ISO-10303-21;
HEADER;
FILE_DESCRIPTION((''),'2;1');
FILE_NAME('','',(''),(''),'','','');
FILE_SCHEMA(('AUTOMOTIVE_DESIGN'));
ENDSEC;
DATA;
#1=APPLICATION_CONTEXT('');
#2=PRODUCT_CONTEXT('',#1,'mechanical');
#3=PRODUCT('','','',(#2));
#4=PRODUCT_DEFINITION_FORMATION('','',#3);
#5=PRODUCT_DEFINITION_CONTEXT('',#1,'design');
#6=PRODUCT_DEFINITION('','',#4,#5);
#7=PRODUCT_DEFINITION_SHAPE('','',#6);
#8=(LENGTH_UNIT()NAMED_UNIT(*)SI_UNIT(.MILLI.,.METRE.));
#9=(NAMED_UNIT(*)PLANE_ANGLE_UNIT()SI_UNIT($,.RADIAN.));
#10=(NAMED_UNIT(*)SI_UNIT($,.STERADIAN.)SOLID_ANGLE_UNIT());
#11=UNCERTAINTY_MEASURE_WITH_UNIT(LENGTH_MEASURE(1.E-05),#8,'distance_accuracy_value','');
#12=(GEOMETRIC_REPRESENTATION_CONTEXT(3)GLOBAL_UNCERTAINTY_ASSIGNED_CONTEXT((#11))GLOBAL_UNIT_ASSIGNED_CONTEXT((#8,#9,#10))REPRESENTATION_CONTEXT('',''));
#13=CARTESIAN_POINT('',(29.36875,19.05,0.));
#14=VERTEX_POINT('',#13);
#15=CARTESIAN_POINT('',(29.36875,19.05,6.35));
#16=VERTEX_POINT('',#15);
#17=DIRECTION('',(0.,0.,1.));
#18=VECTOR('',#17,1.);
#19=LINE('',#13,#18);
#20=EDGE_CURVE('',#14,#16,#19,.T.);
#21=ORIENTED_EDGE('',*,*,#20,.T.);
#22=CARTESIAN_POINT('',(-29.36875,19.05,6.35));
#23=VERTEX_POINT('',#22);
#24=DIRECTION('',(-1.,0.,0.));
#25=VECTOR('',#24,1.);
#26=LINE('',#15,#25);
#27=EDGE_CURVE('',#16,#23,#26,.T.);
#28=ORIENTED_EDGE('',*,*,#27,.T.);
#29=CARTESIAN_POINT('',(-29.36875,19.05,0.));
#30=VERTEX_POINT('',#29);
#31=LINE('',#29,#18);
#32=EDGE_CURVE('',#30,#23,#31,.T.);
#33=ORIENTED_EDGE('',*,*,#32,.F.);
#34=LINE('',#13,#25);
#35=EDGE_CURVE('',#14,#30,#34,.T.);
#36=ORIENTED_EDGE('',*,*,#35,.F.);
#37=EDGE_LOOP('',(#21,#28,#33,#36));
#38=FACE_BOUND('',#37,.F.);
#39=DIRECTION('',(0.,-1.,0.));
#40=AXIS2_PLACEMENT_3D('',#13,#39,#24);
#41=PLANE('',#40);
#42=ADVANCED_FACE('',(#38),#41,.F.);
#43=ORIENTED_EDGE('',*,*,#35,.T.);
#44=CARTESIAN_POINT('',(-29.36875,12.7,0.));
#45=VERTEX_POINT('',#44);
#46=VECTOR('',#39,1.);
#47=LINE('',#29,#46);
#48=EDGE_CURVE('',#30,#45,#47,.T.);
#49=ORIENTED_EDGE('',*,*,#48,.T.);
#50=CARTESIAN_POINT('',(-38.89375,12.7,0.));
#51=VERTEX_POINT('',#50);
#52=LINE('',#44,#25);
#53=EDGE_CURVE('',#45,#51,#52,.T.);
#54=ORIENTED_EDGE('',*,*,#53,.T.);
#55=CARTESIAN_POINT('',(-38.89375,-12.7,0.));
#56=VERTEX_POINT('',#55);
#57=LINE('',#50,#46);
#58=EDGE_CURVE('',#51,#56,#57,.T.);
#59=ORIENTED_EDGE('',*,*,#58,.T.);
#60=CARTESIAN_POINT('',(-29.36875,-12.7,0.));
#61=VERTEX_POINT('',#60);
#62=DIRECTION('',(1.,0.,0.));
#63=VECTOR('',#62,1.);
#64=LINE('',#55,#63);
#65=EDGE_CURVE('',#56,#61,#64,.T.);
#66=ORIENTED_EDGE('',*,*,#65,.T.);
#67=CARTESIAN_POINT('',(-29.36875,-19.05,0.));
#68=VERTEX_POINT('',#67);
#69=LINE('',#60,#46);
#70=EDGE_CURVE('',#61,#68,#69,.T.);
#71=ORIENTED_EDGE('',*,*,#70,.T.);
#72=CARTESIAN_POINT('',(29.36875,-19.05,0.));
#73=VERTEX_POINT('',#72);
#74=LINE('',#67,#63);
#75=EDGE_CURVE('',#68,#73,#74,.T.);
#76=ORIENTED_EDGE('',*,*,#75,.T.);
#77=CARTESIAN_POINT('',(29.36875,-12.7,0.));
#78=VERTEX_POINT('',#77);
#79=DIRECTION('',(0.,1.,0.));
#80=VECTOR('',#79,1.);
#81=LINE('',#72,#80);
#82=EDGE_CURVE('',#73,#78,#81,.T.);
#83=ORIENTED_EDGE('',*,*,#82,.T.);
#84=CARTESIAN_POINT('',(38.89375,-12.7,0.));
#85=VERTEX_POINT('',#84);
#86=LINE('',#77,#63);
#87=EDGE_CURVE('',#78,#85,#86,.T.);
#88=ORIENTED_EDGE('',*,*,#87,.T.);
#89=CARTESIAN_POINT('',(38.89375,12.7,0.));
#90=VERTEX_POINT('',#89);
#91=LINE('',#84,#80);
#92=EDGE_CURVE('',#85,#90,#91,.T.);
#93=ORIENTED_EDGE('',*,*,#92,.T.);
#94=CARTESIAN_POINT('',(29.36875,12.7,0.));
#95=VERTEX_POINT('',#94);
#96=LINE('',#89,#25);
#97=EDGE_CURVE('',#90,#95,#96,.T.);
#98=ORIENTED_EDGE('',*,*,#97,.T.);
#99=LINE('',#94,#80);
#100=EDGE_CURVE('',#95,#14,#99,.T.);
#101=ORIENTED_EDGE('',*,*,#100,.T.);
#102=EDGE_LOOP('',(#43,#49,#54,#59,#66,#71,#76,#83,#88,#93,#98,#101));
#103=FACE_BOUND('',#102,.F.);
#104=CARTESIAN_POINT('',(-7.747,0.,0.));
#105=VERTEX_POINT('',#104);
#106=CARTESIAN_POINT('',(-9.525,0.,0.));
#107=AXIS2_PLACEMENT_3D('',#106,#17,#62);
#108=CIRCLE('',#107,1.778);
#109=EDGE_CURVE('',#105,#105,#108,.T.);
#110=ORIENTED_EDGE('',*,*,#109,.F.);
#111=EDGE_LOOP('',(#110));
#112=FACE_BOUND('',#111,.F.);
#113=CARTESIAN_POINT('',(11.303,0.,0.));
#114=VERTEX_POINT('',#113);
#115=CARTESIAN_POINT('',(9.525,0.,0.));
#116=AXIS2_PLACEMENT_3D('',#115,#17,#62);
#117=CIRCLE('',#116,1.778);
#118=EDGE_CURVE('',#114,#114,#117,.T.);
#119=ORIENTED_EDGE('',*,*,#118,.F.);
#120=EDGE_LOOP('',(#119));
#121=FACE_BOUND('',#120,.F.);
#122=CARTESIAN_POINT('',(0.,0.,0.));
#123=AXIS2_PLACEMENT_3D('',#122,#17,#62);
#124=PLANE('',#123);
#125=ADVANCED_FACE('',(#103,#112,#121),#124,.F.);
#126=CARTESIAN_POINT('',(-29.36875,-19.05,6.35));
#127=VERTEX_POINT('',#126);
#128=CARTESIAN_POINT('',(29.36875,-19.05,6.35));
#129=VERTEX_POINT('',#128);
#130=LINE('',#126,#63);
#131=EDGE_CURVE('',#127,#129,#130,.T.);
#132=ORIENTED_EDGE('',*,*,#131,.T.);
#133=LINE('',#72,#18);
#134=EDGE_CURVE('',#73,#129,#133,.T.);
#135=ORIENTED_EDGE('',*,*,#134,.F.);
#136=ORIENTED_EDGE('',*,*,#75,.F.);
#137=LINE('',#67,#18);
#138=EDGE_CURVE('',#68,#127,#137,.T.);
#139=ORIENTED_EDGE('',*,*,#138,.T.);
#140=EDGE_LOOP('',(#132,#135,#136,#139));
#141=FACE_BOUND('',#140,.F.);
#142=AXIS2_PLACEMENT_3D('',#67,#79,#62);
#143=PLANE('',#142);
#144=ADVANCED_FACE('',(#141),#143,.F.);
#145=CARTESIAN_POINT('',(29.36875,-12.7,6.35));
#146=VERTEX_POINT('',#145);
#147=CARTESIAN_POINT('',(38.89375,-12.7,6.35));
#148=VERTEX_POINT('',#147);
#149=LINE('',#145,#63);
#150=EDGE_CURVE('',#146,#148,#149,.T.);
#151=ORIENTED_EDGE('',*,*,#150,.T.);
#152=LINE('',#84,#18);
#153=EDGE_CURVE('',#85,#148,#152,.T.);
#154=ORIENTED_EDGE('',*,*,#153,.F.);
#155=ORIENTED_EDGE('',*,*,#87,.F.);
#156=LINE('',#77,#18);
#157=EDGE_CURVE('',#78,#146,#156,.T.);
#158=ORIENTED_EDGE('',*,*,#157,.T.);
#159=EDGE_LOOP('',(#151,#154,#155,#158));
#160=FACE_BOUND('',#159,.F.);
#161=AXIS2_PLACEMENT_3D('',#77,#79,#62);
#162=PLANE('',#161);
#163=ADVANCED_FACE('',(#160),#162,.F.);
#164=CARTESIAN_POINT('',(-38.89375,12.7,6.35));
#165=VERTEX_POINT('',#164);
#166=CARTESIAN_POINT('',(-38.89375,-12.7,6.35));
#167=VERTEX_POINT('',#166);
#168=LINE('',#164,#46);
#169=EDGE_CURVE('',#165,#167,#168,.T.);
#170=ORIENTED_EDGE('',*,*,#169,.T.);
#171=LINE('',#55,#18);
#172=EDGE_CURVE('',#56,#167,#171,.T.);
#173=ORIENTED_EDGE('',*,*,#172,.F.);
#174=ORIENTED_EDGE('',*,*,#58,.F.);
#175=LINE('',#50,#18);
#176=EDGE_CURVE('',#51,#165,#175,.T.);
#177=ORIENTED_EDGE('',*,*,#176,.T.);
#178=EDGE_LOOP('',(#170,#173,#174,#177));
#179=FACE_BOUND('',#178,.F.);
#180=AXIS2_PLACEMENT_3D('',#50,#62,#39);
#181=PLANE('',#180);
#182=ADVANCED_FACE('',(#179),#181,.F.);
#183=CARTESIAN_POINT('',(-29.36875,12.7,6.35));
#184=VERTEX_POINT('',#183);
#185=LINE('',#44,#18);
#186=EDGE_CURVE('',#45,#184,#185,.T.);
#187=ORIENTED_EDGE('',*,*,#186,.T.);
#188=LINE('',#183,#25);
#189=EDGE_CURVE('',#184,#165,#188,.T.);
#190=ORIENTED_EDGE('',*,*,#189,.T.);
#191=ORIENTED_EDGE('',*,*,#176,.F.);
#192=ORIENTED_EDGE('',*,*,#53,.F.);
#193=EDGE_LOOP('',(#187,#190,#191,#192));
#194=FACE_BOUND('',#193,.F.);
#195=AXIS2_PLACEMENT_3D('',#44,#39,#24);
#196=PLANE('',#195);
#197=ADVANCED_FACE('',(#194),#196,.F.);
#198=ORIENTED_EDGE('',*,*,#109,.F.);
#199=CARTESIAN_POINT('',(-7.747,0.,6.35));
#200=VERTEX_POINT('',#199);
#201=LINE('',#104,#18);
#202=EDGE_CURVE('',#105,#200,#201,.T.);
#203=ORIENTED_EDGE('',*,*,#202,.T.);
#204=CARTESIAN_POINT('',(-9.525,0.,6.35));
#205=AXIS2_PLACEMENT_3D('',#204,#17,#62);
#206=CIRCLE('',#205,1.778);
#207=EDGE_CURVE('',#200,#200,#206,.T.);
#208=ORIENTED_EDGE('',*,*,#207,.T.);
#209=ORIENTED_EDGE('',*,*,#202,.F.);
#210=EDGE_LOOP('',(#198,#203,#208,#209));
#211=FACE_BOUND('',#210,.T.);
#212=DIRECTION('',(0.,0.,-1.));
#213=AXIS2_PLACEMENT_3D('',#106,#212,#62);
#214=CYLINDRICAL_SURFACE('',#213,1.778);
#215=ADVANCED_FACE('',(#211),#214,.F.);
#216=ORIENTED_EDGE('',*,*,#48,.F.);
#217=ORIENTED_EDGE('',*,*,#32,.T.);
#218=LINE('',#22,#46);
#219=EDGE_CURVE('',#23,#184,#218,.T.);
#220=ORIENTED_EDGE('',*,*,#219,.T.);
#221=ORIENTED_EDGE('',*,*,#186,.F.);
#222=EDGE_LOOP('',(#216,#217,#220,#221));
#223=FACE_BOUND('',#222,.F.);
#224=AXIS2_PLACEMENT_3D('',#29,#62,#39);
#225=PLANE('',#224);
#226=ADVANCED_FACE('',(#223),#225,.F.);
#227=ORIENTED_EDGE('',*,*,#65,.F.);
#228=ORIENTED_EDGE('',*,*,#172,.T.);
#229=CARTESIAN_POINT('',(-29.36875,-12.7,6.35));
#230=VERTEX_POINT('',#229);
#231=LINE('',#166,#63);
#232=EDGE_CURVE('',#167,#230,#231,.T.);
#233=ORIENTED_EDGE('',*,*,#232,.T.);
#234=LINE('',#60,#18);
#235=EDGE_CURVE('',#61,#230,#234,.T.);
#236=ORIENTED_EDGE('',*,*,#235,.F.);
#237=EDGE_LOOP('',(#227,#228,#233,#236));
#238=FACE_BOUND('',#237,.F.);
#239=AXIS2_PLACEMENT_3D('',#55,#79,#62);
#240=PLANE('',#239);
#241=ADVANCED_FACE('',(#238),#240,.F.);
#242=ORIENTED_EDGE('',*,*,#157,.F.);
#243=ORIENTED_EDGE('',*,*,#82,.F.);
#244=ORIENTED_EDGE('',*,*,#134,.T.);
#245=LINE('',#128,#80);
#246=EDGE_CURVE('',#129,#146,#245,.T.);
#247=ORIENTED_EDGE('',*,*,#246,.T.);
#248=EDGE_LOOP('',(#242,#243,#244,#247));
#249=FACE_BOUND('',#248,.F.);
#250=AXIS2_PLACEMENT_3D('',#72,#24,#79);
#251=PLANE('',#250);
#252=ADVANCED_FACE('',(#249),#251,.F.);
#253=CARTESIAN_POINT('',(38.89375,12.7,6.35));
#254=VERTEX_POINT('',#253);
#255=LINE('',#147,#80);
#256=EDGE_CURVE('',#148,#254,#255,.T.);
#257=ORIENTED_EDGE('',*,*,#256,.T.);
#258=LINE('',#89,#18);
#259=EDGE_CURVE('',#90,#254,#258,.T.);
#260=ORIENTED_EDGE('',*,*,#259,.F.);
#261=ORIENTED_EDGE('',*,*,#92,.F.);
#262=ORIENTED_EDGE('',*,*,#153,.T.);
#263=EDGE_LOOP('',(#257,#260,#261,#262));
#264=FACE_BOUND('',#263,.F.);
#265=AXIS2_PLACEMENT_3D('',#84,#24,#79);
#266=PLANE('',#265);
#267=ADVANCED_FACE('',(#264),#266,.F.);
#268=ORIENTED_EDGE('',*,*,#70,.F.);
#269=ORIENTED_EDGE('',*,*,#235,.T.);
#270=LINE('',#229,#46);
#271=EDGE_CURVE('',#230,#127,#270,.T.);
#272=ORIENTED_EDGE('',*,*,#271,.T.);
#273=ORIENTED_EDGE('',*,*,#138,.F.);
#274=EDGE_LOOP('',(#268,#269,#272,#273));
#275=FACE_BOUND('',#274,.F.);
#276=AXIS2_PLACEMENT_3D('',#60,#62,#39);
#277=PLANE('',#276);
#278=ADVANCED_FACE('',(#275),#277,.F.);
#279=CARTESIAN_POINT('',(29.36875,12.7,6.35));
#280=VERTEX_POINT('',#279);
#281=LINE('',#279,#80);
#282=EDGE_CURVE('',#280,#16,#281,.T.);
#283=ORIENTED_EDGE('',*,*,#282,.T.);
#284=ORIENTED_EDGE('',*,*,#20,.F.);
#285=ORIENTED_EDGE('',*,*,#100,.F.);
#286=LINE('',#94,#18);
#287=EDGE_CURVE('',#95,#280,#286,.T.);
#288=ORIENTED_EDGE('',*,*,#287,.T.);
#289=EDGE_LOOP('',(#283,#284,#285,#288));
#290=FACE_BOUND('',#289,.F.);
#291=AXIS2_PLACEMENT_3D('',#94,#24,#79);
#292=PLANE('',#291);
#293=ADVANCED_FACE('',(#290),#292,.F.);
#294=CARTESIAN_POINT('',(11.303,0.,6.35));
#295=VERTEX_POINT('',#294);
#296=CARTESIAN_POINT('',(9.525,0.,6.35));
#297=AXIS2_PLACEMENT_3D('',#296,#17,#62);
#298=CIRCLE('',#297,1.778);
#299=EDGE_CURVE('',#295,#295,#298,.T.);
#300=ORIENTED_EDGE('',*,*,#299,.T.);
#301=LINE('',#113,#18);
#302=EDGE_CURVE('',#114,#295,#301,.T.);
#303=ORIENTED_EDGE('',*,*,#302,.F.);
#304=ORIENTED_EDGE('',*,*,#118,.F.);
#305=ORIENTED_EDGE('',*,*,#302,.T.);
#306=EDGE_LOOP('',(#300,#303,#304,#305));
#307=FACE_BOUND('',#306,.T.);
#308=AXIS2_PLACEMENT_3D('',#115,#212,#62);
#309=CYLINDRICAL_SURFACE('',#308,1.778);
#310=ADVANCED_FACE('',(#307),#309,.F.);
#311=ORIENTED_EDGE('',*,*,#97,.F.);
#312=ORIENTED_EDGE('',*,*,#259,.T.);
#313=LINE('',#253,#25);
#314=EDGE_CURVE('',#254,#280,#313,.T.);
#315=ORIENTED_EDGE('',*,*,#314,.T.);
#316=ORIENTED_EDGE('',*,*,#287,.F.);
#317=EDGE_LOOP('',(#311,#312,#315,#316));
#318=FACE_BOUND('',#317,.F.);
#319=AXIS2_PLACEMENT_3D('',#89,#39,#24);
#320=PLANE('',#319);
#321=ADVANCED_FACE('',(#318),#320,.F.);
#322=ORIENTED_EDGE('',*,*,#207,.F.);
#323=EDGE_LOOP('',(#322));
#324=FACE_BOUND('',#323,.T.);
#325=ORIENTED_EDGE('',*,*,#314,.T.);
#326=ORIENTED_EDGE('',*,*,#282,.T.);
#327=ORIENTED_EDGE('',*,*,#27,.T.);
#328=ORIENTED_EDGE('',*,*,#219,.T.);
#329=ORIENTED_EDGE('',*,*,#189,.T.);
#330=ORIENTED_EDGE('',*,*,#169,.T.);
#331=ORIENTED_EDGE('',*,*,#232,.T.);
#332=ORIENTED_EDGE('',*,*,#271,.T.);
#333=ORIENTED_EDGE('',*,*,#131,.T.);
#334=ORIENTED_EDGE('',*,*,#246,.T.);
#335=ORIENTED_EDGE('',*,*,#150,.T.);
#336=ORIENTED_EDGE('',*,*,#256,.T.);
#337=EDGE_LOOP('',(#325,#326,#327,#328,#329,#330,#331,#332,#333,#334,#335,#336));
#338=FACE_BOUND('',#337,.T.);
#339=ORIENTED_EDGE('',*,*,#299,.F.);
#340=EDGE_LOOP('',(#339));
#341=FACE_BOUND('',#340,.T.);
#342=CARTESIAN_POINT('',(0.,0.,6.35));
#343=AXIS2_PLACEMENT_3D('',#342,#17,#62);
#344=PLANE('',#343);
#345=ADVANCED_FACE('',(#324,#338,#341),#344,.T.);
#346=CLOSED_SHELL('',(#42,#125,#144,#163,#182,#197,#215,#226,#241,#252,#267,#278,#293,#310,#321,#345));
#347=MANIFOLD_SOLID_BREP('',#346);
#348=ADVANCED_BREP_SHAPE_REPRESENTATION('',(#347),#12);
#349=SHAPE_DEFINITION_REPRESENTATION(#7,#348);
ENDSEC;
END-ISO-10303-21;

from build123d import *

# Parameters (mm, degrees)
F0_R     = 1.778
F1_DEPTH = 6.35


with BuildPart() as f1:
    # F0 (on Top) → F1 (new body)
    with BuildSketch(Plane.XY):
        Polygon((29.36875, -12.7), (38.89375, -12.7), (38.89375, 12.7), (29.36875, 12.7), (29.36875, 19.05), (-29.36875, 19.05), (-29.36875, 12.7), (-38.89375, 12.7), (-38.89375, -12.7), (-29.36875, -12.7), (-29.36875, -19.05), (29.36875, -19.05), align=None)
        with Locations((-9.525, 0)):
            Circle(F0_R, mode=Mode.SUBTRACT)
        with Locations((9.525, 0)):
            Circle(F0_R, mode=Mode.SUBTRACT)
    extrude(amount=F1_DEPTH)


solid = f1.part
